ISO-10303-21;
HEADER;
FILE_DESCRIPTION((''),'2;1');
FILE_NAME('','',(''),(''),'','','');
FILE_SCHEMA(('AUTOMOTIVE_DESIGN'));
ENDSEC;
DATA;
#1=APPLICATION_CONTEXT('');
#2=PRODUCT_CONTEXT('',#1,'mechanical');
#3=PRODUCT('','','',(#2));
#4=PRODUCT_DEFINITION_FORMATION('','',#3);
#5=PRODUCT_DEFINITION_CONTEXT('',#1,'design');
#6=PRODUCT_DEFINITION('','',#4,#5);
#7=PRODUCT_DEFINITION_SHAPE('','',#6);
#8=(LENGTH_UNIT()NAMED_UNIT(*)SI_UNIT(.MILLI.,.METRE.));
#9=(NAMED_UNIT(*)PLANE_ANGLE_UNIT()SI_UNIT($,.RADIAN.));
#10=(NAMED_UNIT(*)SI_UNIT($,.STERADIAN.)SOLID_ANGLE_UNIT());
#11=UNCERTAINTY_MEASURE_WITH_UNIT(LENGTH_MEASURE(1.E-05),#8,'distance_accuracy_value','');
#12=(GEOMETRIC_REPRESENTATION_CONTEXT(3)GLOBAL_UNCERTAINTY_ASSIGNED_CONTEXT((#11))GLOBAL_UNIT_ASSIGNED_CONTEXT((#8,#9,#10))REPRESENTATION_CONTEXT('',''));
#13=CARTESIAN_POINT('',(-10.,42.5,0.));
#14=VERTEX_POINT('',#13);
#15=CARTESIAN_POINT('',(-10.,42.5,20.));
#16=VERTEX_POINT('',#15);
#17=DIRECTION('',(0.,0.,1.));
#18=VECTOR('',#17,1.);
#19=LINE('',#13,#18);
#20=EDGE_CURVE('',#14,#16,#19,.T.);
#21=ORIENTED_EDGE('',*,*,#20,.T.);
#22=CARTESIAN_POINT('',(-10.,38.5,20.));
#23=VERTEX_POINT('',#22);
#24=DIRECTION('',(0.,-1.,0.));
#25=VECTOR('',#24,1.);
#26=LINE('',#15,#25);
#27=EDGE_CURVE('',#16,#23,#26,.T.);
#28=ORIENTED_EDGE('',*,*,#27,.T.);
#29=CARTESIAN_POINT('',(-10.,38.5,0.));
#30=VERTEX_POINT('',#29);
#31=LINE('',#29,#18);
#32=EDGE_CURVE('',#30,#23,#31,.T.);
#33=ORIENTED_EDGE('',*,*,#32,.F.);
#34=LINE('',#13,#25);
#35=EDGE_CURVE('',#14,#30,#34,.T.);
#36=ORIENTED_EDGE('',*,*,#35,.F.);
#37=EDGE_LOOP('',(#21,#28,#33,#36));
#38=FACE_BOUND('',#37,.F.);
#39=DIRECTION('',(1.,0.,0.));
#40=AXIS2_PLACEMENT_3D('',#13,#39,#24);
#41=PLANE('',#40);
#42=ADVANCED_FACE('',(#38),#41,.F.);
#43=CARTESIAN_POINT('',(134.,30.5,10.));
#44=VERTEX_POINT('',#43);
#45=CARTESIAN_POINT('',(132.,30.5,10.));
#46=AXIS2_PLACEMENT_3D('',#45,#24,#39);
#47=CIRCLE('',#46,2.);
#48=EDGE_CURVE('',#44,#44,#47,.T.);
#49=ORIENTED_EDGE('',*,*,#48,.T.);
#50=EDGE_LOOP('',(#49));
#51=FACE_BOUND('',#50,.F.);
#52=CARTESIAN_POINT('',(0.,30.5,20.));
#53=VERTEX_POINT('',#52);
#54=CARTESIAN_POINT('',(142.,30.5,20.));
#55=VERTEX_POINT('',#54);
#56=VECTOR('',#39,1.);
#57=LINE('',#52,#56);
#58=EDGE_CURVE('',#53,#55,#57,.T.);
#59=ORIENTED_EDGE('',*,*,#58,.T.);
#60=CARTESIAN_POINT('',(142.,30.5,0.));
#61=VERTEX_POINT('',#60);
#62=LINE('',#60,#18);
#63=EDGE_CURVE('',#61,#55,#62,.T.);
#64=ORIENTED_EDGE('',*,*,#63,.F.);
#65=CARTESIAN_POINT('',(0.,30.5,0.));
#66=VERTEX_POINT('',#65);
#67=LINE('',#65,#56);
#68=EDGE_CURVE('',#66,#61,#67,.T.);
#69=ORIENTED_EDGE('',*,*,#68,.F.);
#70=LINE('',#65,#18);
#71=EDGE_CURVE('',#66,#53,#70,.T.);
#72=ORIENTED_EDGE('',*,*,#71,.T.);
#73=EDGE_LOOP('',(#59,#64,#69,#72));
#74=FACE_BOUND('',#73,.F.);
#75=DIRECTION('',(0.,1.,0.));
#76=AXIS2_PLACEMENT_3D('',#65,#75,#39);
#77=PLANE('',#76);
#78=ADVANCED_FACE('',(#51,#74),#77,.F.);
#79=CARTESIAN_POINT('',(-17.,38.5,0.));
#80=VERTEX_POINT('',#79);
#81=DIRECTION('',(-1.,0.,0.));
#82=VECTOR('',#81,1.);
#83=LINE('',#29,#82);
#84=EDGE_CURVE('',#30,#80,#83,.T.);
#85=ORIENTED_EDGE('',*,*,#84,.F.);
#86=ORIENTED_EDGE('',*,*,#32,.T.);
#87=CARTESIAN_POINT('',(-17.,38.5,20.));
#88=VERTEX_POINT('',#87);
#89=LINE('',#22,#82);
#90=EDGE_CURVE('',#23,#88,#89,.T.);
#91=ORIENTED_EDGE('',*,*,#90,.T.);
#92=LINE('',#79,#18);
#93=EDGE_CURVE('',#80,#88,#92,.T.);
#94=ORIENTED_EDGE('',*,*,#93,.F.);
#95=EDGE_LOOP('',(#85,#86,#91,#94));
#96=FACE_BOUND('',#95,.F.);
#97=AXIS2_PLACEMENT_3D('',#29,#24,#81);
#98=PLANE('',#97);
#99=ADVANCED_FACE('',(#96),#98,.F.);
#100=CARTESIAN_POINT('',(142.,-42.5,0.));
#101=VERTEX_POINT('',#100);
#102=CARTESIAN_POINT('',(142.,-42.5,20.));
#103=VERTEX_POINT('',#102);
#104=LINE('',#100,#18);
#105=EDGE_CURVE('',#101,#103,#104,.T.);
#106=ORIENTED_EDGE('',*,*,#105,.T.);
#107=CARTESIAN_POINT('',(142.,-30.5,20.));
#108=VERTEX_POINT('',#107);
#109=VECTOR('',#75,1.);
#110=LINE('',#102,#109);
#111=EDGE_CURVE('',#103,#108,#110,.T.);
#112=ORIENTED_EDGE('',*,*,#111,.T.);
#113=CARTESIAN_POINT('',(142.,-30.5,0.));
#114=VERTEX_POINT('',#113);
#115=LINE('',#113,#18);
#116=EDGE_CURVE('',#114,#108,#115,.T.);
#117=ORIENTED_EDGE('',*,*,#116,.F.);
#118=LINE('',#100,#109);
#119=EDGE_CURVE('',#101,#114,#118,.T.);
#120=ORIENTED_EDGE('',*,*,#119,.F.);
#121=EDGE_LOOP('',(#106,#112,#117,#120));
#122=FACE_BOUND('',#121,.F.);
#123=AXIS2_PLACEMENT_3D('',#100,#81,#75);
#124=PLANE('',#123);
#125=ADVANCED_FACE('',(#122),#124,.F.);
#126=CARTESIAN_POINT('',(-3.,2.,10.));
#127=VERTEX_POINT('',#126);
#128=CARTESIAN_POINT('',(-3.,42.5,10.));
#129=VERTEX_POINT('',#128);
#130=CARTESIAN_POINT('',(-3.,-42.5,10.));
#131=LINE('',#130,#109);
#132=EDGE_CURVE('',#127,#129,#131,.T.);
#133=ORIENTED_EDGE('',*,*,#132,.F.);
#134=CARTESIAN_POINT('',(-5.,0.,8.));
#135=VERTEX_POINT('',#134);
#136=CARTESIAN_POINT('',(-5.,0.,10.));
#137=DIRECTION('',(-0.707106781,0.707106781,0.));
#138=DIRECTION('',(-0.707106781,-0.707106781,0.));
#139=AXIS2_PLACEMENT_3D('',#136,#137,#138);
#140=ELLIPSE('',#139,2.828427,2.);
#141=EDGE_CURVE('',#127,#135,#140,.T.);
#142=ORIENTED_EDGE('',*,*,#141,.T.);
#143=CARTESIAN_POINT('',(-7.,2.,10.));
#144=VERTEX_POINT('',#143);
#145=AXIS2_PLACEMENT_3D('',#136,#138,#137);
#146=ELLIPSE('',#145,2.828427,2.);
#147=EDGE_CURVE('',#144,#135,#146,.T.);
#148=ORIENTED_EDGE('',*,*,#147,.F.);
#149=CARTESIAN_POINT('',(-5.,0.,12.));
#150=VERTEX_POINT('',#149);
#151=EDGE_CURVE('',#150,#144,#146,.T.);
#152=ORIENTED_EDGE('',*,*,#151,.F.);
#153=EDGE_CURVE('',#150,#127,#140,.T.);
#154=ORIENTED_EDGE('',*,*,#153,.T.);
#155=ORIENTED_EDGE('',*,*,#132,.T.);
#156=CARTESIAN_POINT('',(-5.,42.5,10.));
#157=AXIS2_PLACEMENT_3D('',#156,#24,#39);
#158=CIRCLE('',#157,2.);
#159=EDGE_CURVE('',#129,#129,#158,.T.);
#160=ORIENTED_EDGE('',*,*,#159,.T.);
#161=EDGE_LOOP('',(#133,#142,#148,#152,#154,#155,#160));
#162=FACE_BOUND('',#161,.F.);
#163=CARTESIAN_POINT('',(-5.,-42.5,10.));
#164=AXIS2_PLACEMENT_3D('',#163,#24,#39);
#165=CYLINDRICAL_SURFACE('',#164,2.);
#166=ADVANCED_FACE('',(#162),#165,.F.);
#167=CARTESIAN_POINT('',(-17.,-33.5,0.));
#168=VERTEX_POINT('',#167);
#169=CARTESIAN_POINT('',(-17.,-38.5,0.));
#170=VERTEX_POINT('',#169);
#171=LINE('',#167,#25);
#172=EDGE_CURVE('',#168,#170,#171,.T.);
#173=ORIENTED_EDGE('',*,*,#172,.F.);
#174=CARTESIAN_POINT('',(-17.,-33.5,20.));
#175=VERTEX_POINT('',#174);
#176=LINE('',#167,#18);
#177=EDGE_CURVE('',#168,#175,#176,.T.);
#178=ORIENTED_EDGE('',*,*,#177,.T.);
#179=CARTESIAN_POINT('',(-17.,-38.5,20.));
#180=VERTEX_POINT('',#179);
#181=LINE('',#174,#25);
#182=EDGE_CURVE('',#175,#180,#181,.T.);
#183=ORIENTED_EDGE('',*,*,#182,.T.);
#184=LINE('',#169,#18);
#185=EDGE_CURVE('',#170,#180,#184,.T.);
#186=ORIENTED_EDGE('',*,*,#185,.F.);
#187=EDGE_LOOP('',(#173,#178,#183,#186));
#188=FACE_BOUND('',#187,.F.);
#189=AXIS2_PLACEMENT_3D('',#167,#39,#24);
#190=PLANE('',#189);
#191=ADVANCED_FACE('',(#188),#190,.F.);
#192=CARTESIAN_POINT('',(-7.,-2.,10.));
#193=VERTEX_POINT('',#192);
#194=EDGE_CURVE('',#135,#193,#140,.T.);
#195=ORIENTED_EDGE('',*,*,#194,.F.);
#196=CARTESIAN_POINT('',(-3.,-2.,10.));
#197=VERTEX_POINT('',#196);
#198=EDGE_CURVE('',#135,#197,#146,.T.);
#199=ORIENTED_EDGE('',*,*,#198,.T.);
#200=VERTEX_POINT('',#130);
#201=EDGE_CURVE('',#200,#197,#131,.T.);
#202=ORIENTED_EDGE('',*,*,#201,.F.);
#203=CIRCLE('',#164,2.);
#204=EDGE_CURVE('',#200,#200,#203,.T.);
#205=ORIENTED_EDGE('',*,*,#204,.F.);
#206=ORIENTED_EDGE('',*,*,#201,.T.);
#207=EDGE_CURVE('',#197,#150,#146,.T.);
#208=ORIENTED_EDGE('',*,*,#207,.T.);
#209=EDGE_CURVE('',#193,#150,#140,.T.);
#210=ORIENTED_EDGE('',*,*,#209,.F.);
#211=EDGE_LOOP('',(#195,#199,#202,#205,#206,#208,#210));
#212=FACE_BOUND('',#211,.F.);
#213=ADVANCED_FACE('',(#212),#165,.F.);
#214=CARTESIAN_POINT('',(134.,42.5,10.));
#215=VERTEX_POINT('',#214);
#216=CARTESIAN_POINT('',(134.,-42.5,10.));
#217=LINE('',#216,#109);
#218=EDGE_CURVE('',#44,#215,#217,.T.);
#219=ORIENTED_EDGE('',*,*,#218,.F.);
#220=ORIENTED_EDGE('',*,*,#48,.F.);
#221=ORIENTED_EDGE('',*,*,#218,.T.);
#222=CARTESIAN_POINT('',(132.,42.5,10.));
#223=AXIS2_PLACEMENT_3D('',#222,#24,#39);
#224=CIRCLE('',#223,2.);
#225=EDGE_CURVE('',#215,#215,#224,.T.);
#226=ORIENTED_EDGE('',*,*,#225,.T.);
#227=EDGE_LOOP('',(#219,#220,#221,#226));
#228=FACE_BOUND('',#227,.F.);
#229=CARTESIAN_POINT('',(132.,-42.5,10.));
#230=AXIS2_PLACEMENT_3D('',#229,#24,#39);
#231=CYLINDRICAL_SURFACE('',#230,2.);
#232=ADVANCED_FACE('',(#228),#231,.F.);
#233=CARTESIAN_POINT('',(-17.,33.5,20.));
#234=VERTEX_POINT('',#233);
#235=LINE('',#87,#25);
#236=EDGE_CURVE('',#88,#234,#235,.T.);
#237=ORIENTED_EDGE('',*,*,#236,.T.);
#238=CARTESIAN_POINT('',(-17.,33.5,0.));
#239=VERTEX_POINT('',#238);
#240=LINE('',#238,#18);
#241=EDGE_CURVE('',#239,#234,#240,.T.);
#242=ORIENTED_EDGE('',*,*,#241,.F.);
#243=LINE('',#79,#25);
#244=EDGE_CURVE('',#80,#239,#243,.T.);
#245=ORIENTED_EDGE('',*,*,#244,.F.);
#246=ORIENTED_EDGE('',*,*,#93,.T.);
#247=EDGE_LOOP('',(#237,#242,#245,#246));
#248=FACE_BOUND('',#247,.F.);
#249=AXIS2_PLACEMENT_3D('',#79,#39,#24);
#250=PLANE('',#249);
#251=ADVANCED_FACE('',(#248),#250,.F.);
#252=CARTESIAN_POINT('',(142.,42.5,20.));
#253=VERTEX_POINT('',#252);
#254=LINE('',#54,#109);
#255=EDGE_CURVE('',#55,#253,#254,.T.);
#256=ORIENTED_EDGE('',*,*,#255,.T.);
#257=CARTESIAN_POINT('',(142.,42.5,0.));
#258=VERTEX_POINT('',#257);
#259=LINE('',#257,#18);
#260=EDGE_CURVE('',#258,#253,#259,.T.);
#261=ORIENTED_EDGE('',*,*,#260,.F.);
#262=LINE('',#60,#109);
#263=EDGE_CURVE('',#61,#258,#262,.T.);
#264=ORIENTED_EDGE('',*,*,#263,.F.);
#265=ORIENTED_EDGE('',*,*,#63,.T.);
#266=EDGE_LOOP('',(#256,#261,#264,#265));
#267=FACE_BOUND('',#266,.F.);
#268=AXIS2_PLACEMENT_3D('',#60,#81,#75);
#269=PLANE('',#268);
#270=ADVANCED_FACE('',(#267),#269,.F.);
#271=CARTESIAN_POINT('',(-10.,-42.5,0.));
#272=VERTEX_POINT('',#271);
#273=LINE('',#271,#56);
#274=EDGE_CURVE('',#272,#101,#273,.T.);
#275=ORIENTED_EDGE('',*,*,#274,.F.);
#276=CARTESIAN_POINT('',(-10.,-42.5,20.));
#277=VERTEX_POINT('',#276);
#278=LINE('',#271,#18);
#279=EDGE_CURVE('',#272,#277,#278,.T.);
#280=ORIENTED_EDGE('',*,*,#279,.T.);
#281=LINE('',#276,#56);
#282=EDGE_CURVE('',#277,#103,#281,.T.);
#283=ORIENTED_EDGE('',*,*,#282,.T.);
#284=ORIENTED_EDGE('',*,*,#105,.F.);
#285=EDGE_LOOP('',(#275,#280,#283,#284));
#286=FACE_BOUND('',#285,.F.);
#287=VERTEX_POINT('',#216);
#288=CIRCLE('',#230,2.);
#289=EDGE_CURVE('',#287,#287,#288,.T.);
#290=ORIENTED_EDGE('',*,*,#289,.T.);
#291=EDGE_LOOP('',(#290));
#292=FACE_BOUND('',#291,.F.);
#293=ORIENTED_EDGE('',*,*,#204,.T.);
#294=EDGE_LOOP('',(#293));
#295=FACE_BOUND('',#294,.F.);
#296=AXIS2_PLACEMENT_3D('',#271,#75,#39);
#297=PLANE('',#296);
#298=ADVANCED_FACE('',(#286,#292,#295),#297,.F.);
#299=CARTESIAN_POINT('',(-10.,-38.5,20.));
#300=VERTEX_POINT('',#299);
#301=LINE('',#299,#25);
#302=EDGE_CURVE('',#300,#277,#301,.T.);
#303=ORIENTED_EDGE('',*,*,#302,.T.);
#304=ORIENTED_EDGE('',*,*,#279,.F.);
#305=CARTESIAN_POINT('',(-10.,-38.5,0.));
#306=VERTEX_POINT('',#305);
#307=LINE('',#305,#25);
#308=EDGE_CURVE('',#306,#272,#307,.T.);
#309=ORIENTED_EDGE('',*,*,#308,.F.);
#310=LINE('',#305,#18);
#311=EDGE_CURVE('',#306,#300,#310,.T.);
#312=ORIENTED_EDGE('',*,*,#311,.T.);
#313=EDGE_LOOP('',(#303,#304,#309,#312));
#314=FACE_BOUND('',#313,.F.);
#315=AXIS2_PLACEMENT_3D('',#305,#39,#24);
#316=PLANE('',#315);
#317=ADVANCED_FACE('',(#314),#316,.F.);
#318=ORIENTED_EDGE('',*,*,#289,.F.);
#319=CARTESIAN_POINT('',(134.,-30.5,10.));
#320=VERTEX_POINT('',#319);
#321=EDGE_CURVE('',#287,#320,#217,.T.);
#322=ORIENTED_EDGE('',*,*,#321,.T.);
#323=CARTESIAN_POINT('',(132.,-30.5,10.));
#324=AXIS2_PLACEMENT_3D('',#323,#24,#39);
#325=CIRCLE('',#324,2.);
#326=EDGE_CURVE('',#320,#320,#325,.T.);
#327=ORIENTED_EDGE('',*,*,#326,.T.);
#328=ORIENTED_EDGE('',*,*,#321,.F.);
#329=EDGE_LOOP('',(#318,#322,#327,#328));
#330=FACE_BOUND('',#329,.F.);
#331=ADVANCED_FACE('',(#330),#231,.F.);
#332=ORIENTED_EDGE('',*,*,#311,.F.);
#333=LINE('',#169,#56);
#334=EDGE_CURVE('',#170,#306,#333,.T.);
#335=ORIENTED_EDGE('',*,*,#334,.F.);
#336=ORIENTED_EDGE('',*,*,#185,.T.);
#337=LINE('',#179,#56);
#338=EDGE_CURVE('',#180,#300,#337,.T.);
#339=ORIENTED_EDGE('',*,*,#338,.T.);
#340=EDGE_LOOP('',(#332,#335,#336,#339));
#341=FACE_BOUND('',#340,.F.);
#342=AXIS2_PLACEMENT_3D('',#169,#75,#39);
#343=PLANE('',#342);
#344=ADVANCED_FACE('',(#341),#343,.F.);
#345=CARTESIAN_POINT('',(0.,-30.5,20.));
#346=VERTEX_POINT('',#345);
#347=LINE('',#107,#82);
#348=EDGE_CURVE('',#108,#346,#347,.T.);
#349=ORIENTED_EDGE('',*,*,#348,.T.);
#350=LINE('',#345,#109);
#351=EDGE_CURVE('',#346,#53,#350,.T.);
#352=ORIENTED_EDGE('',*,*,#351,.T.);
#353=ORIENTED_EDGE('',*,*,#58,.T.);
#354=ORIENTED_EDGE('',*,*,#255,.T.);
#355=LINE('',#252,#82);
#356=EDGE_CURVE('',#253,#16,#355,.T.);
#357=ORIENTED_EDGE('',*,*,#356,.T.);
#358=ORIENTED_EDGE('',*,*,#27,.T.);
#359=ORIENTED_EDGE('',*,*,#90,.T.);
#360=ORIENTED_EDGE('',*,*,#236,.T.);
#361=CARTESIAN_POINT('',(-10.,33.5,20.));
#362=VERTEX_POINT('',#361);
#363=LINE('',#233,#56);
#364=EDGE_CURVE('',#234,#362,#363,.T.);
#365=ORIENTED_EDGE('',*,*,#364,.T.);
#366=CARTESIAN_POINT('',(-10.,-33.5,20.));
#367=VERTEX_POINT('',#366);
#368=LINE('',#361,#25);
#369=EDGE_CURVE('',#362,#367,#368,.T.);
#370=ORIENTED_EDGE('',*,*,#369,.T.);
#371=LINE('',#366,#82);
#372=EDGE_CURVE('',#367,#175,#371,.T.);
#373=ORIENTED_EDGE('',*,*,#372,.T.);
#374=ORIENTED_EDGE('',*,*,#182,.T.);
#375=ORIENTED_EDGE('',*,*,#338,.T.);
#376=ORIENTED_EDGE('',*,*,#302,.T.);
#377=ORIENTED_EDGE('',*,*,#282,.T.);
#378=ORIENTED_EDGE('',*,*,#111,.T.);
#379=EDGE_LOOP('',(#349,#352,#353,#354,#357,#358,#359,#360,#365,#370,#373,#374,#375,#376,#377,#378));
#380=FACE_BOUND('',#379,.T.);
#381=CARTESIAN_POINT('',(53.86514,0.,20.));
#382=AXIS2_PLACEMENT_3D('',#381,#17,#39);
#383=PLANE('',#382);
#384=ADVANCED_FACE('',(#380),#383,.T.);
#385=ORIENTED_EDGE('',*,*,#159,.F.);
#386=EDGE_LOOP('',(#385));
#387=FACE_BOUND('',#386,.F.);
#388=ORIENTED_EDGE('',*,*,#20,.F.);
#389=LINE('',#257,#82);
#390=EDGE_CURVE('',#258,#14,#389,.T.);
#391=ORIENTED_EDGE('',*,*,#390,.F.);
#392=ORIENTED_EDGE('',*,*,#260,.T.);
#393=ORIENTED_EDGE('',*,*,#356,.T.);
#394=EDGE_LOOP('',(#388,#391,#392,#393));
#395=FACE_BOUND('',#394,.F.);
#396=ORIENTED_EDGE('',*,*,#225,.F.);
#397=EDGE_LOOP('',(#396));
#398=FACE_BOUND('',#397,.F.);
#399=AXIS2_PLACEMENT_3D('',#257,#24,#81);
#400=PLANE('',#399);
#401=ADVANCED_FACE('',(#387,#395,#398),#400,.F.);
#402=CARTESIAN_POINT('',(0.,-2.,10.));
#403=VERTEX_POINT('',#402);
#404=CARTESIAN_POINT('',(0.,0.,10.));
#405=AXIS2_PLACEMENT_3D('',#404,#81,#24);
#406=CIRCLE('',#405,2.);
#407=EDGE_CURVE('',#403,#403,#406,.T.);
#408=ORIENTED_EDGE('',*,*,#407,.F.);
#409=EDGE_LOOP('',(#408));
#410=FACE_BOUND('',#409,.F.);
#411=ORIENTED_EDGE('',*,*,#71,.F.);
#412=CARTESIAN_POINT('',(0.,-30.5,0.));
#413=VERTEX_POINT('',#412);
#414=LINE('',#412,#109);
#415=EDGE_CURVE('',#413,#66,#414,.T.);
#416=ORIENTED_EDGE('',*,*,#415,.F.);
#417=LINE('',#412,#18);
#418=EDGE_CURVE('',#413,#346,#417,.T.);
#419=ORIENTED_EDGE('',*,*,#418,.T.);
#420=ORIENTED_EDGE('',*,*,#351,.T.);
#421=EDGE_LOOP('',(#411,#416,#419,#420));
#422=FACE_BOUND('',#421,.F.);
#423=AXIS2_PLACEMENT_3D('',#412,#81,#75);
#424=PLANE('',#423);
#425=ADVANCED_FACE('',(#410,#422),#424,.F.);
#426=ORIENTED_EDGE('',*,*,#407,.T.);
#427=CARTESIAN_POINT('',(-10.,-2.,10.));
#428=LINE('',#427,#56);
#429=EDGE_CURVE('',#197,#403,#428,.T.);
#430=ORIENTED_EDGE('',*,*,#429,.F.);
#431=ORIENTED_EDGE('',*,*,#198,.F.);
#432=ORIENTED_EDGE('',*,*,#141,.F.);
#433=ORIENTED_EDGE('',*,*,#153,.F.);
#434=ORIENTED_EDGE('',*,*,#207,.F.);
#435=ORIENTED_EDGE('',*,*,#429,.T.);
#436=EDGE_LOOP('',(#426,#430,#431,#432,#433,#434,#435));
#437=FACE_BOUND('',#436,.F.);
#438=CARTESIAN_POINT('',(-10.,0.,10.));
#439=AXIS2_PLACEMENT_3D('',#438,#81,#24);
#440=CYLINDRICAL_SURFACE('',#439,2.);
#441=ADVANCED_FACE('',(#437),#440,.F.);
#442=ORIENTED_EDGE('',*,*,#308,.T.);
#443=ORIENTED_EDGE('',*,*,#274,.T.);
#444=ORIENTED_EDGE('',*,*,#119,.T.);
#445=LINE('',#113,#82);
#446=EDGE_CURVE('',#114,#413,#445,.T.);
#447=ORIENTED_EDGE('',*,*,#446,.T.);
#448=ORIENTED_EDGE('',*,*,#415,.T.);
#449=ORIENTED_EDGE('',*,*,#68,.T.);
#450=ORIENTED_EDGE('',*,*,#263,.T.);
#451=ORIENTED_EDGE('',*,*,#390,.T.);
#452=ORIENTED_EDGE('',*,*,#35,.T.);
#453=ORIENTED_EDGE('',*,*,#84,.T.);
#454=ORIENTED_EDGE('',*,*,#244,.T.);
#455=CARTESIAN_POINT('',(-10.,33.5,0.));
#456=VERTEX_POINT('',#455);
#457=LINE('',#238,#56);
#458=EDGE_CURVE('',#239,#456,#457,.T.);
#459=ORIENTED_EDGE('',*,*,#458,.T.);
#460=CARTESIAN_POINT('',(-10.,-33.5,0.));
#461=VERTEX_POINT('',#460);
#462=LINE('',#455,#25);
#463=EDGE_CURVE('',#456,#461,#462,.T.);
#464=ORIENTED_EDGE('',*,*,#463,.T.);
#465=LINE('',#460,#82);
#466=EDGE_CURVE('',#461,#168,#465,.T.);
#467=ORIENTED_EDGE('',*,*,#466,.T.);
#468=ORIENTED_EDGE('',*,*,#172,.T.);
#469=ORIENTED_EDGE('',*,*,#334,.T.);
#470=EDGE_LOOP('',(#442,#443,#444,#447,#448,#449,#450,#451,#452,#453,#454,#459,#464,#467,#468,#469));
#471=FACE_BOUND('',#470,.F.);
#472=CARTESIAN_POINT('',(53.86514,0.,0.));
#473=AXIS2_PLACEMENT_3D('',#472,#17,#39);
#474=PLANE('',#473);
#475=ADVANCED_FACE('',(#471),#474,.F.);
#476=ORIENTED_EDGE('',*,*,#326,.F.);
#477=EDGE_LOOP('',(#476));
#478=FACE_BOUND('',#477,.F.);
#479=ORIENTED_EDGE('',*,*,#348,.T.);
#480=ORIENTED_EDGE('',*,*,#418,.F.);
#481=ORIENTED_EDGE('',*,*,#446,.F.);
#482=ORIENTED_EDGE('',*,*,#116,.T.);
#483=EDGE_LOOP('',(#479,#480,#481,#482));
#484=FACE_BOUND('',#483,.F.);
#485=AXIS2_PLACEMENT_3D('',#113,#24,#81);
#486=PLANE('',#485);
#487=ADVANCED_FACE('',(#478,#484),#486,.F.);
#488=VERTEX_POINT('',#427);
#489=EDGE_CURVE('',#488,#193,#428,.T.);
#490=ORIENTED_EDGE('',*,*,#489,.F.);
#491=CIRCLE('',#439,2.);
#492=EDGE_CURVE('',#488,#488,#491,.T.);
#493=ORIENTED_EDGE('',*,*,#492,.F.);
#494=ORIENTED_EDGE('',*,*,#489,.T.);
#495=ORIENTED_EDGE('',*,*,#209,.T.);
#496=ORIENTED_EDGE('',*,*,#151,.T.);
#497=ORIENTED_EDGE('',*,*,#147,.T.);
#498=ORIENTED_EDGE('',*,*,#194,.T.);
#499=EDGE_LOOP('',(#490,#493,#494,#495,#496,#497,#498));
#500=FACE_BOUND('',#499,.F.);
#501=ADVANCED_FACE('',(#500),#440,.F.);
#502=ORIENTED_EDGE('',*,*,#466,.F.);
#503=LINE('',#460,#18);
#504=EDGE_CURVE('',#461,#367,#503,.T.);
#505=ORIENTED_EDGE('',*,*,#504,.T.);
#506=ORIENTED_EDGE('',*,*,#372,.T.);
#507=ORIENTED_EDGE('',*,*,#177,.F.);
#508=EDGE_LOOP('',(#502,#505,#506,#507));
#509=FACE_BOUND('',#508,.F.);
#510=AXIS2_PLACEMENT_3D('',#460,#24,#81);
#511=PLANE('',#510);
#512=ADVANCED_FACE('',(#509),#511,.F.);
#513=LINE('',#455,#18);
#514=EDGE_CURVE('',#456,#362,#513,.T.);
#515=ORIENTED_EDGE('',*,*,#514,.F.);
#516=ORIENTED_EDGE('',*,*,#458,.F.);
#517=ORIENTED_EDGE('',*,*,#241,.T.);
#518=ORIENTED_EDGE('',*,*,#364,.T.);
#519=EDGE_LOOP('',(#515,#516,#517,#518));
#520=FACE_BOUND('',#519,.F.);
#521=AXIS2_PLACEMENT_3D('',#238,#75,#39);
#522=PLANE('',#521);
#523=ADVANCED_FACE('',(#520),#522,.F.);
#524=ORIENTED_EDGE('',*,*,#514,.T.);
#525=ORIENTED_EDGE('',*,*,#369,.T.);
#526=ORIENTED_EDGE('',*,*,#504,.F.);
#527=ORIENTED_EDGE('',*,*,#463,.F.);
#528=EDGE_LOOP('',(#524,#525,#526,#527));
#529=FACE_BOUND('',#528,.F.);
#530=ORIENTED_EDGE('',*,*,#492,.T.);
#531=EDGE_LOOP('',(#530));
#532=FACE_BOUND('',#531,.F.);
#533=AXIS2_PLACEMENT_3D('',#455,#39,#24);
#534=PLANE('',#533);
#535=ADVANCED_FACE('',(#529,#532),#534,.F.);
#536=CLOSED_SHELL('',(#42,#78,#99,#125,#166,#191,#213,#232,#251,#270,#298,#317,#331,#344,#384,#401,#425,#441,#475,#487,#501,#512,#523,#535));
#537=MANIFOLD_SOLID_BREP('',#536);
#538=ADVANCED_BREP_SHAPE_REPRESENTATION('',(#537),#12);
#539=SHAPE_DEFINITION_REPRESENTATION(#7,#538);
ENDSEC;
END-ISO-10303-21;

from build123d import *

# Parameters (mm, degrees)
PAD_DEPTH       = 20
SKETCH004_R     = 2
POCKET002_DEPTH = 152.001
SKETCH005_R     = 2
POCKET003_DEPTH = 85.001


with BuildPart() as part:
    # Sketch → Pad (new body)
    with BuildSketch(Plane.XY):
        Polygon((-10, -42.5), (142, -42.5), (142, -30.5), (0, -30.5), (0, 30.5), (142, 30.5), (142, 42.5), (-10, 42.5), (-10, 38.5), (-17, 38.5), (-17, 33.5), (-10, 33.5), (-10, -33.5), (-17, -33.5), (-17, -38.5), (-10, -38.5), align=None)
    extrude(amount=PAD_DEPTH)

    # Sketch004 → Pocket002 (cut, through all)
    with BuildSketch(Plane(origin=(-10, 0, 0), x_dir=(0, -1, 0), z_dir=(-1, 0, 0))):
        with Locations((0, 10)):
            Circle(SKETCH004_R)
    extrude(amount=-POCKET002_DEPTH, mode=Mode.SUBTRACT)

    # Sketch005 → Pocket003 (cut, through all)
    with BuildSketch(Plane.XZ.offset(42.5)):
        with Locations((-5, 10)):
            Circle(SKETCH005_R)
        with Locations((132, 10)):
            Circle(SKETCH005_R)
    extrude(amount=-POCKET003_DEPTH, mode=Mode.SUBTRACT)


solid = part.part
